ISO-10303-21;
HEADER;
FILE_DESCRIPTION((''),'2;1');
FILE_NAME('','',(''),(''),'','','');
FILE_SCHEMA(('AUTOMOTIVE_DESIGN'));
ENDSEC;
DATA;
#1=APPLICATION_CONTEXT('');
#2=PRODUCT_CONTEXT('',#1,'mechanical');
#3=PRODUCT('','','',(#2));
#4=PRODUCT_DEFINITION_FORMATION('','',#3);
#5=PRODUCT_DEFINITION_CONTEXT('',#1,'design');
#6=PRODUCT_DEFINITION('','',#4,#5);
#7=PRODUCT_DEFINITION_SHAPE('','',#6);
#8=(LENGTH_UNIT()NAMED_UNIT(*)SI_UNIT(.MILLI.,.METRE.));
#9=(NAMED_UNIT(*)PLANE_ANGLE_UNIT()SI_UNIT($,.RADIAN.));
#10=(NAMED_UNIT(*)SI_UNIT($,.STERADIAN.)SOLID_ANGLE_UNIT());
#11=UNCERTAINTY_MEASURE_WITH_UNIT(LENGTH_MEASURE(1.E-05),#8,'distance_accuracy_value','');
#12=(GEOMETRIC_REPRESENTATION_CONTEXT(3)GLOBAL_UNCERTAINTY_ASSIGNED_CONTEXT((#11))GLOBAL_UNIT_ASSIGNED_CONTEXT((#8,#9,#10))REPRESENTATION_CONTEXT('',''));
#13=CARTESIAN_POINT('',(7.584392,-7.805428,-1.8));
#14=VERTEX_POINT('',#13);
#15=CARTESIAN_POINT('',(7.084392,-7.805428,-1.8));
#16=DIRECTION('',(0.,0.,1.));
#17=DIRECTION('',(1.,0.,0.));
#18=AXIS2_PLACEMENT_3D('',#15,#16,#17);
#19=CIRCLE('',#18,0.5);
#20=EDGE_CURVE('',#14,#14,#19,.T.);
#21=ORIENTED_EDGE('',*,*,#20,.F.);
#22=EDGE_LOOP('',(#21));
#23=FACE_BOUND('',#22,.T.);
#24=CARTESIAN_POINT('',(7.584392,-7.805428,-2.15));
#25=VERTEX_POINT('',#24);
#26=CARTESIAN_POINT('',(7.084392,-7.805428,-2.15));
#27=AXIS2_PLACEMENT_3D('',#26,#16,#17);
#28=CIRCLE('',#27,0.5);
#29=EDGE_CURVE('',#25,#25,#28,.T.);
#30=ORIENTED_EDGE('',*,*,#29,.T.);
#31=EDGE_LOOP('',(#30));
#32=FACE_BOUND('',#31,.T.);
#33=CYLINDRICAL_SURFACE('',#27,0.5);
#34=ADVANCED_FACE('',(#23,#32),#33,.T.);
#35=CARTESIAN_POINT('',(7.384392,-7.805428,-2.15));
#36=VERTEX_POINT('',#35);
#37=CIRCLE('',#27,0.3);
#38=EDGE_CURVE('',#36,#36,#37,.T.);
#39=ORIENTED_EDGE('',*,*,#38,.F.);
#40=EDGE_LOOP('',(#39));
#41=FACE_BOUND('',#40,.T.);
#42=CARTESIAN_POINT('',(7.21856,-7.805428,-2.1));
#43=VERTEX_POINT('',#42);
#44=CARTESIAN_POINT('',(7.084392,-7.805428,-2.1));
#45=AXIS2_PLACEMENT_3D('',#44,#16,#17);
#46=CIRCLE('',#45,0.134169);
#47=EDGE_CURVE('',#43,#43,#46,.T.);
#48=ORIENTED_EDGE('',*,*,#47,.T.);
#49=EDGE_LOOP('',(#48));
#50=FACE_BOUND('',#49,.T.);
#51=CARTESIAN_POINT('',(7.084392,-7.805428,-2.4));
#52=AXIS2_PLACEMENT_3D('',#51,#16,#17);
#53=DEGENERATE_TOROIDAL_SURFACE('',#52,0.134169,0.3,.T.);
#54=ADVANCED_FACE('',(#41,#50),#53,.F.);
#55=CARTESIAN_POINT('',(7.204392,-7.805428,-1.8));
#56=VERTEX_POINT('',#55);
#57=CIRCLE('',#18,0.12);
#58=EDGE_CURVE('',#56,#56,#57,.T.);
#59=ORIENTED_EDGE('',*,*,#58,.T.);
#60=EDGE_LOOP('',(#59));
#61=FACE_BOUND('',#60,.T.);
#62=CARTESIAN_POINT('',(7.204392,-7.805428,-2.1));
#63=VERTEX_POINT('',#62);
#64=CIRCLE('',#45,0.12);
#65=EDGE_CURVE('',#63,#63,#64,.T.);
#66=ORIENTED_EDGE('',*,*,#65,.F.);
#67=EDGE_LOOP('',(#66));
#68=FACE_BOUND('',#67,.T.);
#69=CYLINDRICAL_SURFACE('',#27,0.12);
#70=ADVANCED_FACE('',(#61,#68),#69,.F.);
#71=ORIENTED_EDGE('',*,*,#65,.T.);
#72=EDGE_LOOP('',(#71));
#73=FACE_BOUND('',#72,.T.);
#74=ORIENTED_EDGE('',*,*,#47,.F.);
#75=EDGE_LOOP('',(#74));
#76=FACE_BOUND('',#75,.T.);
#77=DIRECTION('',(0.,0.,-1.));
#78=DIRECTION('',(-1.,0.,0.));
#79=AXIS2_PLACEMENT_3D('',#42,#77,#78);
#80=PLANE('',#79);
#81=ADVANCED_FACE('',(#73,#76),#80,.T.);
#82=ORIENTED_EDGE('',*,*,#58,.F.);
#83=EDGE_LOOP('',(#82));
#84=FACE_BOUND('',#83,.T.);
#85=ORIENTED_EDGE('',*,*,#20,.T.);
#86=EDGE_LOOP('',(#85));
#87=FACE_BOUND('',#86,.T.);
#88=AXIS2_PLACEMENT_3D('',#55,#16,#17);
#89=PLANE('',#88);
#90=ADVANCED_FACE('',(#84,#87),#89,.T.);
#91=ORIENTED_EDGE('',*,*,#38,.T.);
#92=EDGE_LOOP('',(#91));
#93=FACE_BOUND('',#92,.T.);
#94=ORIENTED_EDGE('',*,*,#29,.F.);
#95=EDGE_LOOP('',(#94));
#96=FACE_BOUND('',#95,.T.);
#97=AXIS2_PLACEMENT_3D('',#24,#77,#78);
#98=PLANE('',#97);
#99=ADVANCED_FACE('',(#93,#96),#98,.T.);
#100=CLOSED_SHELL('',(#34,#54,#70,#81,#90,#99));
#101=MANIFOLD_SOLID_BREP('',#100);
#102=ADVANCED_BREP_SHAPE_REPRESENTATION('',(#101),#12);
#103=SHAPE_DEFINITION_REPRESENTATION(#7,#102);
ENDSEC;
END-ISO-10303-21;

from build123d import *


with BuildPart() as part:
    # Sketch1 → Revolve1 (revolve)
    with BuildSketch(Plane(origin=(0, -7.80542761, 0), x_dir=(1, 0, 0), z_dir=(0, 1, 0))):
        with BuildLine():
            Line((7.58439152, 1.8), (7.58439152, 2.15))
            Line((7.58439152, 2.15), (7.38439152, 2.15))
            ThreePointArc((7.38439152, 2.15), (7.305162821, 2.112771868), (7.218560281, 2.1))
            Line((7.218560281, 2.1), (7.20439152, 2.1))
            Line((7.20439152, 2.1), (7.20439152, 1.8))
            Line((7.20439152, 1.8), (7.58439152, 1.8))
        make_face()
    revolve(axis=Axis((7.08439152, -7.80542761, -2.15), (0, 0, 1)))


solid = part.part
